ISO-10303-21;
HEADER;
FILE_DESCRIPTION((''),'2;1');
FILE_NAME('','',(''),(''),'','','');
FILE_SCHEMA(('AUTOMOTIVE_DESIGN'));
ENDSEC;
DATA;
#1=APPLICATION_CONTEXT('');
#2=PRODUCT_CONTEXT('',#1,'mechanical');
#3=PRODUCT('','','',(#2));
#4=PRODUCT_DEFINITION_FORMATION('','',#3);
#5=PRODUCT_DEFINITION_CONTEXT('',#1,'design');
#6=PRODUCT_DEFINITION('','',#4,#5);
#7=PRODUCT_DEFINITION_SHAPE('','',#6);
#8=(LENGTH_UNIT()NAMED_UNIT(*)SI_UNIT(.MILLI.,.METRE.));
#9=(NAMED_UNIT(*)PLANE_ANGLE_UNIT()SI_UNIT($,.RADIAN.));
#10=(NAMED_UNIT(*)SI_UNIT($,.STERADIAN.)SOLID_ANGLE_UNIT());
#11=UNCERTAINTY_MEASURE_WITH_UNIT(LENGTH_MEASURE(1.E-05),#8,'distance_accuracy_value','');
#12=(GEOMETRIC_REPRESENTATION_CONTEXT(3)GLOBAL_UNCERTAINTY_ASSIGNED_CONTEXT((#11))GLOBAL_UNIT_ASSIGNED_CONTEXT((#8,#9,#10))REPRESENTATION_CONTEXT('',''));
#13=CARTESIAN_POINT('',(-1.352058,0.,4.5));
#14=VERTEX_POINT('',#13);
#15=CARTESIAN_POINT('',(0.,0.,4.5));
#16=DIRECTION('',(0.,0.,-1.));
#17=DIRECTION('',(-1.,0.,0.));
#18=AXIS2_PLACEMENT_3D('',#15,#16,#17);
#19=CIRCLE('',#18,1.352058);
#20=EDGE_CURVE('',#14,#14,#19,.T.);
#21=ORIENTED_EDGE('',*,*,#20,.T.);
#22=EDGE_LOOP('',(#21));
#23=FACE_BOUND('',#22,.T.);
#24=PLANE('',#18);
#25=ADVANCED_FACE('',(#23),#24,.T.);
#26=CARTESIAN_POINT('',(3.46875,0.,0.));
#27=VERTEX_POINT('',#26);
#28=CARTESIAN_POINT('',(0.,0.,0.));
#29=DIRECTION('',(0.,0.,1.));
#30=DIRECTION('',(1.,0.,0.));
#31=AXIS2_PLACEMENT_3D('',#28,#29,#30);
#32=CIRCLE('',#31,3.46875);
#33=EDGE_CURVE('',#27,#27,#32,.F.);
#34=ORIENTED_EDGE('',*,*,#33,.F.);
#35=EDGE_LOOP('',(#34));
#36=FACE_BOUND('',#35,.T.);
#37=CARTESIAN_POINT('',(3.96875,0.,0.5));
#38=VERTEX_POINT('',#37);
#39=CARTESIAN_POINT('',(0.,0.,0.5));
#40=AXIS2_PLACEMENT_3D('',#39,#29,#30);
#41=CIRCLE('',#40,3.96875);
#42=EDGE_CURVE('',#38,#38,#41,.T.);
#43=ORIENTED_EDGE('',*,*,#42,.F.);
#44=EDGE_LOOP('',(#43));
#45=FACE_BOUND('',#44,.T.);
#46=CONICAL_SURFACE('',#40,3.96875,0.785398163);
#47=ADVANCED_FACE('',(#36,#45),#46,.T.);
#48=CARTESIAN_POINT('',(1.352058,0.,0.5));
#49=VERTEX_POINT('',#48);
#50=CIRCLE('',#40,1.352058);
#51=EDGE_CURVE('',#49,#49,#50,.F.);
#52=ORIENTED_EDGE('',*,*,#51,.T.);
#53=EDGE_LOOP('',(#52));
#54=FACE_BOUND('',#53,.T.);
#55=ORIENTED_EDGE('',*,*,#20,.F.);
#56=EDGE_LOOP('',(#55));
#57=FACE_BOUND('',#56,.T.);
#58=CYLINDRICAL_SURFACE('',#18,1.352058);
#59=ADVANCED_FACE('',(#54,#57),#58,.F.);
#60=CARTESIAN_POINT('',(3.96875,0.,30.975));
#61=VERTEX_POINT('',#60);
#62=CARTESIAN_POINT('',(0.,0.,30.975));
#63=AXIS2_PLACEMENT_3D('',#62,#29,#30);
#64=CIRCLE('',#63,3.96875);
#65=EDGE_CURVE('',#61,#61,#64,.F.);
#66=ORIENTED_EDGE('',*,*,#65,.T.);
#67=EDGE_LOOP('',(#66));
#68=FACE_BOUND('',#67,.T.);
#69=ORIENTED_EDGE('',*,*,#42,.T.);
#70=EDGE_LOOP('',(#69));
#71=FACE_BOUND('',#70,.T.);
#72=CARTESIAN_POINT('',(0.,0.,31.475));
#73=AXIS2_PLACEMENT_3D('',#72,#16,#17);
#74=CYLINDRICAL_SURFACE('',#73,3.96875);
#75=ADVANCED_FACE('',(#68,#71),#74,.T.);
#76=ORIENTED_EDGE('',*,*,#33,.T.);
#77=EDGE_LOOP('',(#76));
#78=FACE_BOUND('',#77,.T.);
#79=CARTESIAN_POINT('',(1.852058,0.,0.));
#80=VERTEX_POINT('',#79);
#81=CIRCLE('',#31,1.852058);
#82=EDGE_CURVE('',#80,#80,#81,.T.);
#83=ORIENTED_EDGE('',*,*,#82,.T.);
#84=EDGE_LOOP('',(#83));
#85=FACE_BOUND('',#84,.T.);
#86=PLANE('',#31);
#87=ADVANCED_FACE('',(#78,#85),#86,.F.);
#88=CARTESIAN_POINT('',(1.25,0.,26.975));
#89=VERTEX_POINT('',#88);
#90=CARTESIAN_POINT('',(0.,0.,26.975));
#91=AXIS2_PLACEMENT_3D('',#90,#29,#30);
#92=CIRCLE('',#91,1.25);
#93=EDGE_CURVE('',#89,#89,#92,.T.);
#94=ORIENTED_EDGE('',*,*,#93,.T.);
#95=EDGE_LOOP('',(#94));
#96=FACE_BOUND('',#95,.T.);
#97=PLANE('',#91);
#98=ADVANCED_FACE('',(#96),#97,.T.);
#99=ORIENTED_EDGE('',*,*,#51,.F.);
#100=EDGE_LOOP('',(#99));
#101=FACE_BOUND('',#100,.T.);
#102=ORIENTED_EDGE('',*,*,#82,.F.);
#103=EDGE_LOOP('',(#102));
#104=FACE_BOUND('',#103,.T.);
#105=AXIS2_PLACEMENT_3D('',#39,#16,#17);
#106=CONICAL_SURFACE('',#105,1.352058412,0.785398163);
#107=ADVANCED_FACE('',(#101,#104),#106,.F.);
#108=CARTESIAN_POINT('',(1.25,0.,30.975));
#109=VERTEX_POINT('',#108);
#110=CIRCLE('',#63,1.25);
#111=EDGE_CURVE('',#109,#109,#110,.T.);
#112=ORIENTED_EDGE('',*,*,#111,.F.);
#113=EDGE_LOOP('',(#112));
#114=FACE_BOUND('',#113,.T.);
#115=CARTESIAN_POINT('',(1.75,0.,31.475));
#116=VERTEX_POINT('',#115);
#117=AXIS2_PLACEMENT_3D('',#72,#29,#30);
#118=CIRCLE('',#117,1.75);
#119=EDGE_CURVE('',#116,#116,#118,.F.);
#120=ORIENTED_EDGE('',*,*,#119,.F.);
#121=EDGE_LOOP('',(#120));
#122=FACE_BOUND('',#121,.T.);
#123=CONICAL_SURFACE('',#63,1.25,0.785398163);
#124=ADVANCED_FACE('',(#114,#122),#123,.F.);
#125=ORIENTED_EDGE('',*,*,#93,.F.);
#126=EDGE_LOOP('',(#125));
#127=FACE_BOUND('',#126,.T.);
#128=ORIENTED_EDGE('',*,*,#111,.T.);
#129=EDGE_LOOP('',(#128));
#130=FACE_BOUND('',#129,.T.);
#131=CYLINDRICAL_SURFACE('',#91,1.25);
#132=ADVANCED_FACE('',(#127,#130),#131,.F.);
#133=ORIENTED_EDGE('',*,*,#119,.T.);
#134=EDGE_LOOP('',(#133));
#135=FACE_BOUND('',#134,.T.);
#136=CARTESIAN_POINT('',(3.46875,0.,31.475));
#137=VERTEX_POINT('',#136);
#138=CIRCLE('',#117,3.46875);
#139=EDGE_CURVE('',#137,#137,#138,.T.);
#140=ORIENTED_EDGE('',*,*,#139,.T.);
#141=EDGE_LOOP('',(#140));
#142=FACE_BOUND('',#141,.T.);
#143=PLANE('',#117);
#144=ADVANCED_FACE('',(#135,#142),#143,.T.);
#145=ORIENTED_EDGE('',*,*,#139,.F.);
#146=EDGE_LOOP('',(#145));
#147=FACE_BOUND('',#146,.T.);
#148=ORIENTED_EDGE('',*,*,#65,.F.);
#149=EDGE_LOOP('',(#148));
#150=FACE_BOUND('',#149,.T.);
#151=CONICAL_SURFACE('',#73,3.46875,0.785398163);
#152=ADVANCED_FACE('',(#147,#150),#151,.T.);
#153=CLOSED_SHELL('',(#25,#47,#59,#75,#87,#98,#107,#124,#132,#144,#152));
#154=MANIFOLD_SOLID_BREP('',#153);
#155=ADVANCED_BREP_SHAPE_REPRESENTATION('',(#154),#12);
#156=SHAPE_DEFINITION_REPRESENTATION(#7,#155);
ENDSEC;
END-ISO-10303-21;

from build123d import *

# Parameters (mm, degrees)
SKETCH1_R           = 3.96875
BOSS_EXTRUDE1_DEPTH = 31.475
SKETCH3_R           = 1.25
CUT_EXTRUDE1_DEPTH  = 4.5
SKETCH4_R           = 1.352058412
CUT_EXTRUDE2_DEPTH  = 4.5
CHAMFER1_SIZE       = 0.5


with BuildPart() as part:
    # Sketch1 → Boss-Extrude1 (new body)
    with BuildSketch(Plane.XY):
        Circle(SKETCH1_R)
    extrude(amount=BOSS_EXTRUDE1_DEPTH)

    # Sketch3 → Cut-Extrude1 (cut)
    with BuildSketch(Plane.XY.offset(31.475)):
        Circle(SKETCH3_R)
    extrude(amount=-CUT_EXTRUDE1_DEPTH, mode=Mode.SUBTRACT)

    # Sketch4 → Cut-Extrude2 (cut)
    with BuildSketch(Plane(origin=(0, 0, 0), x_dir=(-1, 0, 0), z_dir=(0, 0, -1))):
        Circle(SKETCH4_R)
    extrude(amount=-CUT_EXTRUDE2_DEPTH, mode=Mode.SUBTRACT)

    # Chamfer1
    chamfer1_edges = [part.edges().sort_by_distance(p)[0] for p in [
        (1.352058412, 0, 0),
        (-3.96875, 0, 0),
        (-3.96875, 0, 31.475),
        (-1.25, 0, 31.475),
    ]]
    chamfer(chamfer1_edges, length=CHAMFER1_SIZE)


solid = part.part
